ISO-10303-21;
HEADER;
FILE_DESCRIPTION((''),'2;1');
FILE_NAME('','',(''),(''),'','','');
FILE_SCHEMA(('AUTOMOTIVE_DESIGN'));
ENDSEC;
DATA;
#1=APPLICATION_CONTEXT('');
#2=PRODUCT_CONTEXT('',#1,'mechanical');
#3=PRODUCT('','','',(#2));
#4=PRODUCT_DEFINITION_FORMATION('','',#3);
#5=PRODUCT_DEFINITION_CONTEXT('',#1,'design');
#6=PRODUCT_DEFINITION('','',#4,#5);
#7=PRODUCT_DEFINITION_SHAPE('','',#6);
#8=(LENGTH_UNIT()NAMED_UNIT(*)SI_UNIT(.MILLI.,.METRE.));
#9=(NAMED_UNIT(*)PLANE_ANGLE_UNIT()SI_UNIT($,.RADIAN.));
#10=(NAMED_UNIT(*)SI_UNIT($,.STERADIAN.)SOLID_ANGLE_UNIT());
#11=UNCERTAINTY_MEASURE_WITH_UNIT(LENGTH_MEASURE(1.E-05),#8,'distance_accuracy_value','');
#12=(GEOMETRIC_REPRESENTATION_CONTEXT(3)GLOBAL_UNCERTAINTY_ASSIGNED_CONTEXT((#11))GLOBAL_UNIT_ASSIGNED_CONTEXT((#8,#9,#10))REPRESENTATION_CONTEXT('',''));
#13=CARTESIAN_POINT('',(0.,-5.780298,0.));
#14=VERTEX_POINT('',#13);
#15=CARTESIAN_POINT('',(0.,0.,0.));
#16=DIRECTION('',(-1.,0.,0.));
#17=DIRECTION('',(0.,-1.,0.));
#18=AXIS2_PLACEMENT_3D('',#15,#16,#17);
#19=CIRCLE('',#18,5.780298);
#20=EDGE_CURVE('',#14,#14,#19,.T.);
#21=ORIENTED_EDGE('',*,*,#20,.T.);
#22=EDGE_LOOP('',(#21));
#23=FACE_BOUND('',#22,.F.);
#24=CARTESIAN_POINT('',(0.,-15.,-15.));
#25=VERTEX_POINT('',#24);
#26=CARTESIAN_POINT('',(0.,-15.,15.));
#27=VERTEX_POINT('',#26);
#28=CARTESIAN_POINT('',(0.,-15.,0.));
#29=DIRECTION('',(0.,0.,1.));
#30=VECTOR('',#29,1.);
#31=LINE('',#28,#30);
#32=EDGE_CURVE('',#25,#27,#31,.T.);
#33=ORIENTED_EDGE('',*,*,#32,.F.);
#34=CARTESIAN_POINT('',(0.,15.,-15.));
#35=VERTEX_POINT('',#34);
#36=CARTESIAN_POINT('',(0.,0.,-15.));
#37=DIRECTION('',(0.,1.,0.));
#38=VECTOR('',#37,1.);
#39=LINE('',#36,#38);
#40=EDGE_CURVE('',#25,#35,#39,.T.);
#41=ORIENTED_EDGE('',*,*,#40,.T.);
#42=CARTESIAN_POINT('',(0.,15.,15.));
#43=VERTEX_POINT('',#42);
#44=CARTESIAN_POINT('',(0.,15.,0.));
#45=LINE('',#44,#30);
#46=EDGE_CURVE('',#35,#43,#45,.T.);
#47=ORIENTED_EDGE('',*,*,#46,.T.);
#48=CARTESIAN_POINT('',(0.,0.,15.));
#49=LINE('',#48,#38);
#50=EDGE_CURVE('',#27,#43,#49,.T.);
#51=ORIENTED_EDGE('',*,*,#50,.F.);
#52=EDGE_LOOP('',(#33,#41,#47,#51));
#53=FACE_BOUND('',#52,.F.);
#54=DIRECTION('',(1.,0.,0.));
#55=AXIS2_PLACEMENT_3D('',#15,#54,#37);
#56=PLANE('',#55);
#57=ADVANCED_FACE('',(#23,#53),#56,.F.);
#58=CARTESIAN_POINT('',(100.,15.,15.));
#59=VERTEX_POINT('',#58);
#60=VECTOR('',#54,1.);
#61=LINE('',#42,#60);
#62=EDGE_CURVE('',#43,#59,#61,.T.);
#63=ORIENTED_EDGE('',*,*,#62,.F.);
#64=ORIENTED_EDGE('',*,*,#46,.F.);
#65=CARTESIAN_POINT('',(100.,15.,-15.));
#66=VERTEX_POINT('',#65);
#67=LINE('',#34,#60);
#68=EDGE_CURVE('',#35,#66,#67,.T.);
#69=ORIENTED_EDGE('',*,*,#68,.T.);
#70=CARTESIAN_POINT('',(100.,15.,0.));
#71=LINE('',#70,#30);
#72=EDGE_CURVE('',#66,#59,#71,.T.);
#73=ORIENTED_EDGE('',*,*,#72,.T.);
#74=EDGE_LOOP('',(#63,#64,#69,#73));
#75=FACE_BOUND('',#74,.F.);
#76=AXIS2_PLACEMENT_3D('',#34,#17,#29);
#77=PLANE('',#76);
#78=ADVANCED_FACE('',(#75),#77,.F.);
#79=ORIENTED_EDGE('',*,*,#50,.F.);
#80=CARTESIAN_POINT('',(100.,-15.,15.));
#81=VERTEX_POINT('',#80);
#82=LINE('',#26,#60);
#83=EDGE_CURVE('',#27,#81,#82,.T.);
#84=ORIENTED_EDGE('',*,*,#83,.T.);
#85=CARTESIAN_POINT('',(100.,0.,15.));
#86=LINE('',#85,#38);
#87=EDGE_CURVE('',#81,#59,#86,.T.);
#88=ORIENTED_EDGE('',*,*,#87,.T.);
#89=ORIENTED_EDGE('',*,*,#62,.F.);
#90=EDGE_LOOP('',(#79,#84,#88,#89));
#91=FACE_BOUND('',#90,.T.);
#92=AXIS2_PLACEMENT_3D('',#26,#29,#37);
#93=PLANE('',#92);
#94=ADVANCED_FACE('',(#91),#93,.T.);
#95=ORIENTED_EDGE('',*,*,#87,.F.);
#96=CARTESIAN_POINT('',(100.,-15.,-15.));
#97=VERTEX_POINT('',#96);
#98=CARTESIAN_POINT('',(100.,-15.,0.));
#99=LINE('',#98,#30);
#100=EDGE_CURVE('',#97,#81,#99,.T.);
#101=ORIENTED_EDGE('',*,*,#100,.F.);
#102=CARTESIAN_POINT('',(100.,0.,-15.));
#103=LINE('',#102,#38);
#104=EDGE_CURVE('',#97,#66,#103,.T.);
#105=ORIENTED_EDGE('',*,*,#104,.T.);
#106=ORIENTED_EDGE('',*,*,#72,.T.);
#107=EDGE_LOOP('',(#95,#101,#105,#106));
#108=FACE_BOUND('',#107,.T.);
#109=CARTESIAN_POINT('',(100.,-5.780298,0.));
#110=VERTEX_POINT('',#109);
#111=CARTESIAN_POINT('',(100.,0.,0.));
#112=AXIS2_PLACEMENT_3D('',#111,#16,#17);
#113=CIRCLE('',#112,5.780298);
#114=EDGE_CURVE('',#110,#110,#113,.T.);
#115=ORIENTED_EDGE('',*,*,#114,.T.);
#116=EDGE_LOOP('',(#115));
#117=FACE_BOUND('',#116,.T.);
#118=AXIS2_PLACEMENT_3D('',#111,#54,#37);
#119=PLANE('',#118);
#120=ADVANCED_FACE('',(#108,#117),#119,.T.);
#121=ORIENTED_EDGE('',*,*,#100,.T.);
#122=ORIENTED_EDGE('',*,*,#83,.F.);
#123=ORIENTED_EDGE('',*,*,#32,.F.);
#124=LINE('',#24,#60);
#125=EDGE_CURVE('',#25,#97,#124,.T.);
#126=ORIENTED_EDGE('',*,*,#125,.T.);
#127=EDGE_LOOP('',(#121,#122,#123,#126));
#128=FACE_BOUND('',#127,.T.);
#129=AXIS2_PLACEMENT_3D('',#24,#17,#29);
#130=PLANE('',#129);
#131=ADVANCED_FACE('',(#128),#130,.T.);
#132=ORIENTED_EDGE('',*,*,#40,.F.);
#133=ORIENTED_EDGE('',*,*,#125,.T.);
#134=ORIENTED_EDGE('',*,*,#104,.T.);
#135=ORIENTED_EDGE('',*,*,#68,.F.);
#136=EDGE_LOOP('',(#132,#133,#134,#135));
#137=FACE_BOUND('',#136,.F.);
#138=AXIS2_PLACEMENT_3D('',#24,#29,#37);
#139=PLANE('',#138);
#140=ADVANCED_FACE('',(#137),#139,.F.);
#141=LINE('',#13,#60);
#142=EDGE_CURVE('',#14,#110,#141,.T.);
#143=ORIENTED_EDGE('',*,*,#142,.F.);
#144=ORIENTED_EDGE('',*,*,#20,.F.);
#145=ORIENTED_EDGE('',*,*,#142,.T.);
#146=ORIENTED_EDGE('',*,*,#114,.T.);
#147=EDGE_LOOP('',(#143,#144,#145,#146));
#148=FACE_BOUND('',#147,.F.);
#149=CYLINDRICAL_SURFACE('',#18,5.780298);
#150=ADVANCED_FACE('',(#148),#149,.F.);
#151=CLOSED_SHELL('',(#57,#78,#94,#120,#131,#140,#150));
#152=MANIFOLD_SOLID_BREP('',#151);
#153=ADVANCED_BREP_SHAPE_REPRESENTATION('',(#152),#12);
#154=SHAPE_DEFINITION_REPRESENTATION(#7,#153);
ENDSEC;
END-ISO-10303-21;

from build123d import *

# Parameters (mm, degrees)
F0_W     = 30
F0_H     = 30
F1_DEPTH = 100
F2_R     = 5.780298
F3_DEPTH = 200


with BuildPart() as f1:
    # F0 (on Right) → F1 (new body)
    with BuildSketch(Plane.YZ):
        Rectangle(F0_W, F0_H)
    extrude(amount=F1_DEPTH)

    # F2 (on face) → F3 (cut)
    with BuildSketch(Plane(origin=(0, 0, 0), x_dir=(0, -1, 0), z_dir=(-1, 0, 0))):
        Circle(F2_R)
    extrude(amount=-F3_DEPTH, mode=Mode.SUBTRACT)


solid = f1.part
